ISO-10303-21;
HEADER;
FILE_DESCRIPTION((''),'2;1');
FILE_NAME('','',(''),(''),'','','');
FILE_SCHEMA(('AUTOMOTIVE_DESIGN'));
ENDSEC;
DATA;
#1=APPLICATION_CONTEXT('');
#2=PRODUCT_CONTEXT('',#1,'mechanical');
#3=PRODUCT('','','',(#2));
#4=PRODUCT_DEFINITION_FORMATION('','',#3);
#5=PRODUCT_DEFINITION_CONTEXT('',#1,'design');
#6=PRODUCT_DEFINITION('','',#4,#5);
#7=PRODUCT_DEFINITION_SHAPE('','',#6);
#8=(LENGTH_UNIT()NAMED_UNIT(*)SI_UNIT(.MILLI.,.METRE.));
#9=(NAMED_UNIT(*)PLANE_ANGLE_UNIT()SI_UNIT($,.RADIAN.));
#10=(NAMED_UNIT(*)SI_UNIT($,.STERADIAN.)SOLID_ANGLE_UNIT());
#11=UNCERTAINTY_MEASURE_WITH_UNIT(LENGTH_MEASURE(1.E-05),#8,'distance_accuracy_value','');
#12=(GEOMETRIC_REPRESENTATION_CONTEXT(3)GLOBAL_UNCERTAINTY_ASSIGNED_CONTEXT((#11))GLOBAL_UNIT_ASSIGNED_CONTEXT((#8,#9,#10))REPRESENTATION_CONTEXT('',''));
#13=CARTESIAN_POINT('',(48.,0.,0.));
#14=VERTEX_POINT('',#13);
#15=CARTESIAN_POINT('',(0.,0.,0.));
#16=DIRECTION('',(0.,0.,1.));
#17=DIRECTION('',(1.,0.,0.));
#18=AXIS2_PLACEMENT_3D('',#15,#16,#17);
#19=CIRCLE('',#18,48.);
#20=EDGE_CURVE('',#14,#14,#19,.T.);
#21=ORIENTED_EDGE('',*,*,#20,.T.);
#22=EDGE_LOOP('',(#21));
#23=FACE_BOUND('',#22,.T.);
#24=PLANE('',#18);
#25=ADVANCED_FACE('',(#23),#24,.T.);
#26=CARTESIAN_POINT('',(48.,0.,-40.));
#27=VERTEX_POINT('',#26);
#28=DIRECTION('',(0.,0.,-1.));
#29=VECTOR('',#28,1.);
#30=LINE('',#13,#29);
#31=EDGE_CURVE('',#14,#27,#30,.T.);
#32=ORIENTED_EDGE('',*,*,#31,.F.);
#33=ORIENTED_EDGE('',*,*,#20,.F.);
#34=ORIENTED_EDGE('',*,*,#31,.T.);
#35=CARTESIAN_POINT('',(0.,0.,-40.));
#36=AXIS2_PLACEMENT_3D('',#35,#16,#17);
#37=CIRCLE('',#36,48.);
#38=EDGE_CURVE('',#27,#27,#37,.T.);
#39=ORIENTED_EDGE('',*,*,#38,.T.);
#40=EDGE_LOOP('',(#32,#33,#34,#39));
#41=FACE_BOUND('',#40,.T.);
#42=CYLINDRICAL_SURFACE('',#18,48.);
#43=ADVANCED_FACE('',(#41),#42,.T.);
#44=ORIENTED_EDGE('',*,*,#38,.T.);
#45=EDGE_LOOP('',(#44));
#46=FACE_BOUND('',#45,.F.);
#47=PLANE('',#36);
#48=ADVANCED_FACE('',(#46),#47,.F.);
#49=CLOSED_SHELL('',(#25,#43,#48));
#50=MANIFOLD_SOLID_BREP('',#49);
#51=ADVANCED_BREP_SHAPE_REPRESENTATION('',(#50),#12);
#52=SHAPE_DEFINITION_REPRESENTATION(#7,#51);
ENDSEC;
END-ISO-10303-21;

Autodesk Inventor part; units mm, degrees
ref_plane "YZ Plane" through (0, 0, 0) normal (1, 0, 0) x (0, 1, 0)
ref_plane "XZ Plane" through (0, 0, 0) normal (0, 1, 0) x (-1, 0, 0)
ref_plane "XY Plane" through (0, 0, 0) normal (0, 0, 1) x (1, 0, 0)
sketch "Boceto1" plane through (0, 0, 0) normal (0, 0, 1) x (1, 0, 0)
  circle A0 centre (0, 0) radius 48
  dimension "d0" = 96
extrude "Extrusión1" add sketch "Boceto1" against normal blind 40
properties part number "Hip_v3"
